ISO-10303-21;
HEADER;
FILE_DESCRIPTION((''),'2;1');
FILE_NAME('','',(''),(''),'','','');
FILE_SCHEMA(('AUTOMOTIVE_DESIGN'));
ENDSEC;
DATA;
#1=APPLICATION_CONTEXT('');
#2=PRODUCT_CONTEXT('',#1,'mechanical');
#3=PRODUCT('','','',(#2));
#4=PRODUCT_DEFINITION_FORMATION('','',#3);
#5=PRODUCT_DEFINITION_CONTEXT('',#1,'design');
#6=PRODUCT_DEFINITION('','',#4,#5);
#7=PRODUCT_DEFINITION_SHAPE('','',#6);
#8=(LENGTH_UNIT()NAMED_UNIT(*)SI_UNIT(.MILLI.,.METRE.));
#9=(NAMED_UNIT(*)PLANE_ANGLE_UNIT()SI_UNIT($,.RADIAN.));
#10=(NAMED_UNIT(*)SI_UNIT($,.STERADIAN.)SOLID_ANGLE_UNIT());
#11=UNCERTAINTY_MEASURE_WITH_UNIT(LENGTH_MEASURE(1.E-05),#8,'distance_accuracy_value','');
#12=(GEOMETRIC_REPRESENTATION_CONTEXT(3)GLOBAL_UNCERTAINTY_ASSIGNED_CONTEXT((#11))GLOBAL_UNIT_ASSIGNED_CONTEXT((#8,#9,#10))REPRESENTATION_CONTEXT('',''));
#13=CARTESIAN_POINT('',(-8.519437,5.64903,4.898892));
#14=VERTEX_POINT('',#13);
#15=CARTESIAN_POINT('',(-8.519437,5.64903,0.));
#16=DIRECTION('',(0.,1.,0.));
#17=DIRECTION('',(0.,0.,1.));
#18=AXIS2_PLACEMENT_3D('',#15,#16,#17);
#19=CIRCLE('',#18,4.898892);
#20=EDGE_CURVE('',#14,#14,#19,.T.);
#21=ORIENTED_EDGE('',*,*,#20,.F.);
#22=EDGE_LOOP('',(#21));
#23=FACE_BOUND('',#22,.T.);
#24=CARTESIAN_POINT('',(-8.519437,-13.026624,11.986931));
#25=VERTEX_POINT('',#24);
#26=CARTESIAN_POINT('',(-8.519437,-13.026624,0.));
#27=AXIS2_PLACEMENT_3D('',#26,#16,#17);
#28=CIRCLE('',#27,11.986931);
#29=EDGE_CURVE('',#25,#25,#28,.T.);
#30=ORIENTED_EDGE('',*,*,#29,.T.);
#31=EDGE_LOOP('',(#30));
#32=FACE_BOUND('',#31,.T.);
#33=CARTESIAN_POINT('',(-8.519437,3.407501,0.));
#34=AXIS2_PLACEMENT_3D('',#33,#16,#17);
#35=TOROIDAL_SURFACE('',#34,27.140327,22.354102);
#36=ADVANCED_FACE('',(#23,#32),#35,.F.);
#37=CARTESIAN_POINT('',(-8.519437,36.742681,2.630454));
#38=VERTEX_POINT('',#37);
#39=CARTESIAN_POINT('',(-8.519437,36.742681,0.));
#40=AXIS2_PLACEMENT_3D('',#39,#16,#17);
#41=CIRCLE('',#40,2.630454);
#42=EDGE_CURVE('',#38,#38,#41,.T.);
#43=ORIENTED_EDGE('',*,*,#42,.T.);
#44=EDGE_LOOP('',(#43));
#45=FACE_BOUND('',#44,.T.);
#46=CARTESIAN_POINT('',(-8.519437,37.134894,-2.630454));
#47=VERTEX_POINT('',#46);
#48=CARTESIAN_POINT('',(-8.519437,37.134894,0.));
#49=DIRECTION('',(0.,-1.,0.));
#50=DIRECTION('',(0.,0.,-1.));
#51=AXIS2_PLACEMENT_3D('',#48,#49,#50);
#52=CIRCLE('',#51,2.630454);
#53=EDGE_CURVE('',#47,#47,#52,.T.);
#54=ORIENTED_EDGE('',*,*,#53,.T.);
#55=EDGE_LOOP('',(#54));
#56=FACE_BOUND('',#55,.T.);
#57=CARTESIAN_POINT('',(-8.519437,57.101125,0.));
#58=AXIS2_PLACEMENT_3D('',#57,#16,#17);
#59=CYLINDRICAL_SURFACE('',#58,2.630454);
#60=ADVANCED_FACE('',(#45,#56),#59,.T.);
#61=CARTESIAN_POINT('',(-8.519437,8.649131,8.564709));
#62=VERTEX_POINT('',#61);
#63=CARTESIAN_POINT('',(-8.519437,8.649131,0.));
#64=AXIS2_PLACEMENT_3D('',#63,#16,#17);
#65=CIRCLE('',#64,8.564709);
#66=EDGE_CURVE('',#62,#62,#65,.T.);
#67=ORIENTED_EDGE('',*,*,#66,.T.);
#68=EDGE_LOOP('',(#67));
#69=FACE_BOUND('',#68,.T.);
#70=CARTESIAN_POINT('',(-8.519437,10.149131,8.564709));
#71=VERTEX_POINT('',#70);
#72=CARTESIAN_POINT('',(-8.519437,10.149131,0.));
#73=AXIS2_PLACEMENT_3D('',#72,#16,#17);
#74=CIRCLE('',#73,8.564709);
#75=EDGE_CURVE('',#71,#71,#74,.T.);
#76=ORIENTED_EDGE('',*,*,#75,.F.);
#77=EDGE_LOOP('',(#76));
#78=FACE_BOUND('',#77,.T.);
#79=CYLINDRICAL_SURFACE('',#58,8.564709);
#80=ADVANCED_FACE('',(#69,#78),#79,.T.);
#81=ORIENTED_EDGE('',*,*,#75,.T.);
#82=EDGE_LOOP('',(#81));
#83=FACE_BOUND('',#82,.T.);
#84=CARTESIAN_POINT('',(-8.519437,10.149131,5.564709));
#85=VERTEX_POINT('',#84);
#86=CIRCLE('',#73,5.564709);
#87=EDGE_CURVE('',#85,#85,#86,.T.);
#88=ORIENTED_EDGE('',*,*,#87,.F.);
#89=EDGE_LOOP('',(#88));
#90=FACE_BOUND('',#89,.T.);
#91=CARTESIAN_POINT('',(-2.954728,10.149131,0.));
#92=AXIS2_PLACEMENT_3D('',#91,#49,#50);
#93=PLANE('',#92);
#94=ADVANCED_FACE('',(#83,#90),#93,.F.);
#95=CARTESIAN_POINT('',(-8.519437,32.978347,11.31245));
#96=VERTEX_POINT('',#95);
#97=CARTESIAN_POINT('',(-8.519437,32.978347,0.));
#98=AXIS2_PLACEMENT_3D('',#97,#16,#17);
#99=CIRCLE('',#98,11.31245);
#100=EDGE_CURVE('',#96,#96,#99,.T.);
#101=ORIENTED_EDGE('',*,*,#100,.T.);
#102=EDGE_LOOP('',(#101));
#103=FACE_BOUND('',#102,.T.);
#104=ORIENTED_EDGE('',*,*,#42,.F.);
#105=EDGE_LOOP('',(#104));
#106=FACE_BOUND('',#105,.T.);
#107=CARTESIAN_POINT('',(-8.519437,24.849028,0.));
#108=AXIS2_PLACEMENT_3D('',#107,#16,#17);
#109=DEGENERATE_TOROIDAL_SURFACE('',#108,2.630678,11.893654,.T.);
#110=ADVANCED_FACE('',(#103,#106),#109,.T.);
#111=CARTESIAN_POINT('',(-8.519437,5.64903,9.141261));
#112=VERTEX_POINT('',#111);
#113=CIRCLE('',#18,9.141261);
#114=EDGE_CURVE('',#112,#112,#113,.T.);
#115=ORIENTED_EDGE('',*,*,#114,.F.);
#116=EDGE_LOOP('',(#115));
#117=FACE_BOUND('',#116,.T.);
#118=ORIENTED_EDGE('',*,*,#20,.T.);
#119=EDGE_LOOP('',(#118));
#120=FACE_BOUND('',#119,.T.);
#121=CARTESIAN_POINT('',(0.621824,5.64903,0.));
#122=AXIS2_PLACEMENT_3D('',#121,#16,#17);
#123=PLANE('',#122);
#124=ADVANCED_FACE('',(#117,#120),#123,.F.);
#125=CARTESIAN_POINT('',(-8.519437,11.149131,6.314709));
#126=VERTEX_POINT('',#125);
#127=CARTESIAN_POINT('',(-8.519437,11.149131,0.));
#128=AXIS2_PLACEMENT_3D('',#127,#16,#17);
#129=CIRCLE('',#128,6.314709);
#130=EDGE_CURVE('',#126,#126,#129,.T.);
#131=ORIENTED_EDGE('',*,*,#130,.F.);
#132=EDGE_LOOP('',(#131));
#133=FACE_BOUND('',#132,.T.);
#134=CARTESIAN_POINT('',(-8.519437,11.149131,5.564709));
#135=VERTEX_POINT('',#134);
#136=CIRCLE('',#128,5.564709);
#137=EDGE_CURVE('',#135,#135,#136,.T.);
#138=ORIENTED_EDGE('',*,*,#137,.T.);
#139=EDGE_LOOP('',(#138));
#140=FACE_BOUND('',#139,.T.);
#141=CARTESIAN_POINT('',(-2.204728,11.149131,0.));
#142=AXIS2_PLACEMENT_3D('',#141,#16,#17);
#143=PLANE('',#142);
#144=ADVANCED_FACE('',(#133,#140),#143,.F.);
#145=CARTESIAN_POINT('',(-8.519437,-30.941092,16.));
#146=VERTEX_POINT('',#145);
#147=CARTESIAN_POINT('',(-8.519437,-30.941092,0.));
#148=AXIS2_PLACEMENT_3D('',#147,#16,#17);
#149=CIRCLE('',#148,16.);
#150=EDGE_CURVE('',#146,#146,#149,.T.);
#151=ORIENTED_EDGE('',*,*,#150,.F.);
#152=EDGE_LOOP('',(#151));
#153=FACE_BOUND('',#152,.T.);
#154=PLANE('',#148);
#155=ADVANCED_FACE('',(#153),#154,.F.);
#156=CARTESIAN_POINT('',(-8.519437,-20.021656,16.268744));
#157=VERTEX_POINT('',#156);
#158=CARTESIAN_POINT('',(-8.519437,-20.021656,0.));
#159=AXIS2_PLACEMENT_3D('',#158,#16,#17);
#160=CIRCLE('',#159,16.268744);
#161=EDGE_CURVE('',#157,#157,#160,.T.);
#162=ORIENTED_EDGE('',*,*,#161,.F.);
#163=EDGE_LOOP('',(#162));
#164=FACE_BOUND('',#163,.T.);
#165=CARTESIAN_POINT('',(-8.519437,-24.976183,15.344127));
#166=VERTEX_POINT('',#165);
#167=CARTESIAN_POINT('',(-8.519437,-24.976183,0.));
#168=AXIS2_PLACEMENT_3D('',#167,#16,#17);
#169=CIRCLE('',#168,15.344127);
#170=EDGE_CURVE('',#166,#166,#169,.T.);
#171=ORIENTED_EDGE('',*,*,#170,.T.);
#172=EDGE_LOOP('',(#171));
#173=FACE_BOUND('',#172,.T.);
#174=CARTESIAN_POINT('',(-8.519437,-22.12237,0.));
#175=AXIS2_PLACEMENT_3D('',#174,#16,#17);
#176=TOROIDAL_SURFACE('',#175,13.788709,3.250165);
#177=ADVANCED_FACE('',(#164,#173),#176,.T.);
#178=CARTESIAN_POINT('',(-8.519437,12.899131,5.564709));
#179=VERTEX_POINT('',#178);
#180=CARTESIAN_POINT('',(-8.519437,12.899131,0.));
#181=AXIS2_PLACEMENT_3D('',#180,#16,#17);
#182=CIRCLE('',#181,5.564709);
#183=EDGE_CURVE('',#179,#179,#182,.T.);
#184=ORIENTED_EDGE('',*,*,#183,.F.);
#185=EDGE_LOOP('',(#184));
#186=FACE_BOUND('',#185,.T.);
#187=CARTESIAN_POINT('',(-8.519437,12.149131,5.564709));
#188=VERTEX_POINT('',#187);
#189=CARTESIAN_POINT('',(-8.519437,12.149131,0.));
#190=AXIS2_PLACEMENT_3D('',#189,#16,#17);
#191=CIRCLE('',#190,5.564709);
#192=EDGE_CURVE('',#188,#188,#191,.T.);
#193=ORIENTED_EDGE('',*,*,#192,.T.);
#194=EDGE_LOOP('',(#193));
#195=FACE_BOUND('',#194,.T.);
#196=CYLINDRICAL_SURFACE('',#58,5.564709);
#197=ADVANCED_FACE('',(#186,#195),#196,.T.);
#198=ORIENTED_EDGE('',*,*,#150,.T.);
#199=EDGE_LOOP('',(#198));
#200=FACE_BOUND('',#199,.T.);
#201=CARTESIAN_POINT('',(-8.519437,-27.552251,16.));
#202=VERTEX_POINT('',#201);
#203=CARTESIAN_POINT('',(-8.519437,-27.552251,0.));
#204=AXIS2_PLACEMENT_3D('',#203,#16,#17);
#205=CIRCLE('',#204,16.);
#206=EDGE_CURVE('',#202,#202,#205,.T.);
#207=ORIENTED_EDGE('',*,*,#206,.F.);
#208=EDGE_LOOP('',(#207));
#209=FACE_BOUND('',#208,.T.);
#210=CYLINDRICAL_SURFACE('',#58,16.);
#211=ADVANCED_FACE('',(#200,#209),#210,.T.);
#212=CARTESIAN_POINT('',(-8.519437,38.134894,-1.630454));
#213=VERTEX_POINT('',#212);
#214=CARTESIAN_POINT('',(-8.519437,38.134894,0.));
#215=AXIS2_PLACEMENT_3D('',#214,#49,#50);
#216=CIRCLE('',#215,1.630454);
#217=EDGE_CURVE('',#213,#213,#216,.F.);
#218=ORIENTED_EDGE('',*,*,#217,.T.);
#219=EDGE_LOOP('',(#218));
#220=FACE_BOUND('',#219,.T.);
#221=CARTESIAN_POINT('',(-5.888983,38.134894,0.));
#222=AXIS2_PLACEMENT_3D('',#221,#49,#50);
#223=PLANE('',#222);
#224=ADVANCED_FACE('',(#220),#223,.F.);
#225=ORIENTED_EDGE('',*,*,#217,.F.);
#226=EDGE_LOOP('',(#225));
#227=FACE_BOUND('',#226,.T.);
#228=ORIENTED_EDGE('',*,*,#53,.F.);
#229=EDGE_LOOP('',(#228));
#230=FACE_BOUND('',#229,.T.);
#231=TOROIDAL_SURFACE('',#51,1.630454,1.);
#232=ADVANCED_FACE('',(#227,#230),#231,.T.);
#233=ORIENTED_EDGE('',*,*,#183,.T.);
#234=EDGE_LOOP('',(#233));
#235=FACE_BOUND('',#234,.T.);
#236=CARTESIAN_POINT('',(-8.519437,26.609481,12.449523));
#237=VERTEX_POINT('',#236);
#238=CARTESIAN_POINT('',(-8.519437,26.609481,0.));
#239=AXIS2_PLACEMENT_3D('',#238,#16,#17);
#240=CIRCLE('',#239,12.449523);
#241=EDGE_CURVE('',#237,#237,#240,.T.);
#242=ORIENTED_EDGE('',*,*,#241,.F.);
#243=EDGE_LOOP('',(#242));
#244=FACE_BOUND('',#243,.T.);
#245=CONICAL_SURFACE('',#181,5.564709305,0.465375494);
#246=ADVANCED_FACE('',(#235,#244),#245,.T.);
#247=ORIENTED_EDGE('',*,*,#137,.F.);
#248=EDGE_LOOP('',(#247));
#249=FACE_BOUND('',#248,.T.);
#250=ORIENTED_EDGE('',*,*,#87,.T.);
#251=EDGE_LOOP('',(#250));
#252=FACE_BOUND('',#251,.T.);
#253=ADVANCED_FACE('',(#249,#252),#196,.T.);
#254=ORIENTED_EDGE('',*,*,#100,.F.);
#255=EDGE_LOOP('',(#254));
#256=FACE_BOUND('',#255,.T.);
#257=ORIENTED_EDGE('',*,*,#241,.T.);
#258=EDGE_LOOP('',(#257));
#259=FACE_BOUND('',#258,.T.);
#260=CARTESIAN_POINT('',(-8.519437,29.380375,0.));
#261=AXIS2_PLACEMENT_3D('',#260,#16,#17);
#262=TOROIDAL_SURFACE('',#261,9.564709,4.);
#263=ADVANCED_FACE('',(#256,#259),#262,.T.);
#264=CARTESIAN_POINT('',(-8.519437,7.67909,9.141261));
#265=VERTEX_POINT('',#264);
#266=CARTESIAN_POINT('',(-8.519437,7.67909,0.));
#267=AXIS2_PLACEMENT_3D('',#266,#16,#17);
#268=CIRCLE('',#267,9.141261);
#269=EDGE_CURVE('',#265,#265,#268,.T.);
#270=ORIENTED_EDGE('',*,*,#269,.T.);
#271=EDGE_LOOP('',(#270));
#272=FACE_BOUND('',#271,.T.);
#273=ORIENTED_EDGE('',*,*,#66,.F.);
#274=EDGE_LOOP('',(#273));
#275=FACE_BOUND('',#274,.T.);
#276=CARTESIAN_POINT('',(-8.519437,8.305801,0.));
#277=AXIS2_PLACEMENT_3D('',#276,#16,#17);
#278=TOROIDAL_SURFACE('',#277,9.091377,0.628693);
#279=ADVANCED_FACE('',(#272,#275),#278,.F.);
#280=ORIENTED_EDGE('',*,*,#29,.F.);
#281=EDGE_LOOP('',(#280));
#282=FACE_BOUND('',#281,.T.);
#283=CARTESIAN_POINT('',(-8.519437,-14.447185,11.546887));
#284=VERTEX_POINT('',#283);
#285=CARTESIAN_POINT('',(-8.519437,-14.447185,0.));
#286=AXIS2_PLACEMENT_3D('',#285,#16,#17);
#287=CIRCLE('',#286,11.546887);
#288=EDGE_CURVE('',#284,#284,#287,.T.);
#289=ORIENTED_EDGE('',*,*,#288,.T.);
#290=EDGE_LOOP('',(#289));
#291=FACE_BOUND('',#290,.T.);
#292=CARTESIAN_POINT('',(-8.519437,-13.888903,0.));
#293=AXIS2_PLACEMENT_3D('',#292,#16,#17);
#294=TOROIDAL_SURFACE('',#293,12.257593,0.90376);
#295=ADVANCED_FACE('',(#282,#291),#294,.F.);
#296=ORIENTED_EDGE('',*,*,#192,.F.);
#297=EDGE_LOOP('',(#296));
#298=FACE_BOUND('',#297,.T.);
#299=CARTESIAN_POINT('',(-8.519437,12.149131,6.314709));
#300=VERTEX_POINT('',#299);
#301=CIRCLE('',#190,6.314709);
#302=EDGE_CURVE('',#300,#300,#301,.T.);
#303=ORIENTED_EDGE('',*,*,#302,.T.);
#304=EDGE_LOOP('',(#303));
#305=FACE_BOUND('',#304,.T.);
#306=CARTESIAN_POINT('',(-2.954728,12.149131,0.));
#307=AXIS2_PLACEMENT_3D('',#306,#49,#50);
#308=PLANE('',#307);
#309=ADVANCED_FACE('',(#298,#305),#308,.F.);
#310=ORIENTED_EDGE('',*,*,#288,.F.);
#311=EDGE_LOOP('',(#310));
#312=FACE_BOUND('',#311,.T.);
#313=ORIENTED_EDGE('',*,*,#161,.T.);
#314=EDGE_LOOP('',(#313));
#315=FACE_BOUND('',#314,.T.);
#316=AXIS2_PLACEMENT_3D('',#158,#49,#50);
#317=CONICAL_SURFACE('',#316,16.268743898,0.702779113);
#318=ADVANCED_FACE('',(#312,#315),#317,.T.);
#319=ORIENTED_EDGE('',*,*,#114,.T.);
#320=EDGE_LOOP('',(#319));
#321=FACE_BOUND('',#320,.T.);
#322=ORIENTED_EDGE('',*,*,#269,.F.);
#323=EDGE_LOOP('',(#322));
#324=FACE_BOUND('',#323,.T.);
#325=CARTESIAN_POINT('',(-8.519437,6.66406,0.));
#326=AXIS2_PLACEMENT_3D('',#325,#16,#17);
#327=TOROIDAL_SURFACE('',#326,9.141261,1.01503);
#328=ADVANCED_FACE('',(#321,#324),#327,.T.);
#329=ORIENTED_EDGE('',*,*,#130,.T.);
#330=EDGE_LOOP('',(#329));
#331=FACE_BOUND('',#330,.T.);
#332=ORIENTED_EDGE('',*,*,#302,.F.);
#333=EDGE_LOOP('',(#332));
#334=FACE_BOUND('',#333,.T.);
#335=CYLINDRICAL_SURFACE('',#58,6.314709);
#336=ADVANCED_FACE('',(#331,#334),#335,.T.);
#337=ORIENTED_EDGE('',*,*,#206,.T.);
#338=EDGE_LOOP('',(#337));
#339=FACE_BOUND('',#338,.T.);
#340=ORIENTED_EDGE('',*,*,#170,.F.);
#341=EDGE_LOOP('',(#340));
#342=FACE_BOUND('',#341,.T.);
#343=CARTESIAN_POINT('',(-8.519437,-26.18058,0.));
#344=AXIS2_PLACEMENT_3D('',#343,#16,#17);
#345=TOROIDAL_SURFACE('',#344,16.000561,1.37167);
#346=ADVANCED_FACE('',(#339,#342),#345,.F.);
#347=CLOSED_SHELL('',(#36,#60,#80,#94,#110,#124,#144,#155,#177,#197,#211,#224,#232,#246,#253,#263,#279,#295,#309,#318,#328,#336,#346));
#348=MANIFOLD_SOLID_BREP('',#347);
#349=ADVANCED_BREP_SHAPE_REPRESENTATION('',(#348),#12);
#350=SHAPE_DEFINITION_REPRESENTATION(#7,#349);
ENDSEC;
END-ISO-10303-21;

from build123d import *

# Parameters (mm, degrees)
RADYUS1_R = 1


with BuildPart() as part:
    # Çizim1 → Döndür1 (revolve)
    with BuildSketch(Plane.XY, mode=Mode.PRIVATE) as d_nd_r1_sk:
        with BuildLine():
            Line((-8.519437071, -30.941091733), (7.480562929, -30.941091733))
            Line((7.480562929, -30.941091733), (7.480562929, -27.552250754))
            ThreePointArc((7.480562929, -27.552250754), (6.151860071, -26.519014448), (6.824689447, -24.976182902))
            ThreePointArc((6.824689447, -24.976182902), (8.464276563, -22.718623744), (7.749306828, -20.021655532))
            Line((7.749306828, -20.021655532), (3.027449735, -14.447184771))
            ThreePointArc((3.027449735, -14.447184771), (2.874866258, -13.621483114), (3.467494088, -13.02662414))
            ThreePointArc((3.467494088, -13.02662414), (-2.278592527, -4.52455536), (-3.620545274, 5.649030425))
            Line((-3.620545274, 5.649030425), (0.621823835, 5.649030425))
            ThreePointArc((0.621823835, 5.649030425), (1.636853583, 6.664060173), (0.621823835, 7.67908992))
            ThreePointArc((0.621823835, 7.67908992), (0.031499883, 7.984585652), (0.045272234, 8.649130859))
            Line((0.045272234, 8.649130859), (0.045272234, 10.149130859))
            Line((0.045272234, 10.149130859), (-2.954727766, 10.149130859))
            Line((-2.954727766, 10.149130859), (-2.954727766, 11.149130859))
            Line((-2.954727766, 11.149130859), (-2.204727766, 11.149130859))
            Line((-2.204727766, 11.149130859), (-2.204727766, 12.149130859))
            Line((-2.204727766, 12.149130859), (-2.954727766, 12.149130859))
            Line((-2.954727766, 12.149130859), (-2.954727766, 12.899130859))
            Line((-2.954727766, 12.899130859), (3.930085449, 26.609481243))
            ThreePointArc((3.930085449, 26.609481243), (4.983006629, 30.08340271), (2.793013204, 32.978346951))
            ThreePointArc((2.793013204, 32.978346951), (-1.157493434, 35.761136828), (-5.888982883, 36.742681419))
            Line((-5.888982883, 36.742681419), (-5.888982883, 38.134893718))
            Line((-5.888982883, 38.134893718), (-8.519437071, 38.134893718))
            Line((-8.519437071, 38.134893718), (-8.519437071, 35.558908267))
            Line((-8.519437071, 35.558908267), (-8.519437071, -30.941091733))
        make_face()
    revolve(d_nd_r1_sk.sketch.rotate(Axis((-8.519437071, 57.101125378, 0), (0, -1, 0)), 90), axis=Axis((-8.519437071, 57.101125378, 0), (0, -1, 0)))

    # Radyus1
    radyus1_edges = [part.edges().sort_by_distance(p)[0] for p in [
        (-8.519437071, 38.134893718, -2.630454188),
    ]]
    fillet(radyus1_edges, radius=RADYUS1_R)


solid = part.part
